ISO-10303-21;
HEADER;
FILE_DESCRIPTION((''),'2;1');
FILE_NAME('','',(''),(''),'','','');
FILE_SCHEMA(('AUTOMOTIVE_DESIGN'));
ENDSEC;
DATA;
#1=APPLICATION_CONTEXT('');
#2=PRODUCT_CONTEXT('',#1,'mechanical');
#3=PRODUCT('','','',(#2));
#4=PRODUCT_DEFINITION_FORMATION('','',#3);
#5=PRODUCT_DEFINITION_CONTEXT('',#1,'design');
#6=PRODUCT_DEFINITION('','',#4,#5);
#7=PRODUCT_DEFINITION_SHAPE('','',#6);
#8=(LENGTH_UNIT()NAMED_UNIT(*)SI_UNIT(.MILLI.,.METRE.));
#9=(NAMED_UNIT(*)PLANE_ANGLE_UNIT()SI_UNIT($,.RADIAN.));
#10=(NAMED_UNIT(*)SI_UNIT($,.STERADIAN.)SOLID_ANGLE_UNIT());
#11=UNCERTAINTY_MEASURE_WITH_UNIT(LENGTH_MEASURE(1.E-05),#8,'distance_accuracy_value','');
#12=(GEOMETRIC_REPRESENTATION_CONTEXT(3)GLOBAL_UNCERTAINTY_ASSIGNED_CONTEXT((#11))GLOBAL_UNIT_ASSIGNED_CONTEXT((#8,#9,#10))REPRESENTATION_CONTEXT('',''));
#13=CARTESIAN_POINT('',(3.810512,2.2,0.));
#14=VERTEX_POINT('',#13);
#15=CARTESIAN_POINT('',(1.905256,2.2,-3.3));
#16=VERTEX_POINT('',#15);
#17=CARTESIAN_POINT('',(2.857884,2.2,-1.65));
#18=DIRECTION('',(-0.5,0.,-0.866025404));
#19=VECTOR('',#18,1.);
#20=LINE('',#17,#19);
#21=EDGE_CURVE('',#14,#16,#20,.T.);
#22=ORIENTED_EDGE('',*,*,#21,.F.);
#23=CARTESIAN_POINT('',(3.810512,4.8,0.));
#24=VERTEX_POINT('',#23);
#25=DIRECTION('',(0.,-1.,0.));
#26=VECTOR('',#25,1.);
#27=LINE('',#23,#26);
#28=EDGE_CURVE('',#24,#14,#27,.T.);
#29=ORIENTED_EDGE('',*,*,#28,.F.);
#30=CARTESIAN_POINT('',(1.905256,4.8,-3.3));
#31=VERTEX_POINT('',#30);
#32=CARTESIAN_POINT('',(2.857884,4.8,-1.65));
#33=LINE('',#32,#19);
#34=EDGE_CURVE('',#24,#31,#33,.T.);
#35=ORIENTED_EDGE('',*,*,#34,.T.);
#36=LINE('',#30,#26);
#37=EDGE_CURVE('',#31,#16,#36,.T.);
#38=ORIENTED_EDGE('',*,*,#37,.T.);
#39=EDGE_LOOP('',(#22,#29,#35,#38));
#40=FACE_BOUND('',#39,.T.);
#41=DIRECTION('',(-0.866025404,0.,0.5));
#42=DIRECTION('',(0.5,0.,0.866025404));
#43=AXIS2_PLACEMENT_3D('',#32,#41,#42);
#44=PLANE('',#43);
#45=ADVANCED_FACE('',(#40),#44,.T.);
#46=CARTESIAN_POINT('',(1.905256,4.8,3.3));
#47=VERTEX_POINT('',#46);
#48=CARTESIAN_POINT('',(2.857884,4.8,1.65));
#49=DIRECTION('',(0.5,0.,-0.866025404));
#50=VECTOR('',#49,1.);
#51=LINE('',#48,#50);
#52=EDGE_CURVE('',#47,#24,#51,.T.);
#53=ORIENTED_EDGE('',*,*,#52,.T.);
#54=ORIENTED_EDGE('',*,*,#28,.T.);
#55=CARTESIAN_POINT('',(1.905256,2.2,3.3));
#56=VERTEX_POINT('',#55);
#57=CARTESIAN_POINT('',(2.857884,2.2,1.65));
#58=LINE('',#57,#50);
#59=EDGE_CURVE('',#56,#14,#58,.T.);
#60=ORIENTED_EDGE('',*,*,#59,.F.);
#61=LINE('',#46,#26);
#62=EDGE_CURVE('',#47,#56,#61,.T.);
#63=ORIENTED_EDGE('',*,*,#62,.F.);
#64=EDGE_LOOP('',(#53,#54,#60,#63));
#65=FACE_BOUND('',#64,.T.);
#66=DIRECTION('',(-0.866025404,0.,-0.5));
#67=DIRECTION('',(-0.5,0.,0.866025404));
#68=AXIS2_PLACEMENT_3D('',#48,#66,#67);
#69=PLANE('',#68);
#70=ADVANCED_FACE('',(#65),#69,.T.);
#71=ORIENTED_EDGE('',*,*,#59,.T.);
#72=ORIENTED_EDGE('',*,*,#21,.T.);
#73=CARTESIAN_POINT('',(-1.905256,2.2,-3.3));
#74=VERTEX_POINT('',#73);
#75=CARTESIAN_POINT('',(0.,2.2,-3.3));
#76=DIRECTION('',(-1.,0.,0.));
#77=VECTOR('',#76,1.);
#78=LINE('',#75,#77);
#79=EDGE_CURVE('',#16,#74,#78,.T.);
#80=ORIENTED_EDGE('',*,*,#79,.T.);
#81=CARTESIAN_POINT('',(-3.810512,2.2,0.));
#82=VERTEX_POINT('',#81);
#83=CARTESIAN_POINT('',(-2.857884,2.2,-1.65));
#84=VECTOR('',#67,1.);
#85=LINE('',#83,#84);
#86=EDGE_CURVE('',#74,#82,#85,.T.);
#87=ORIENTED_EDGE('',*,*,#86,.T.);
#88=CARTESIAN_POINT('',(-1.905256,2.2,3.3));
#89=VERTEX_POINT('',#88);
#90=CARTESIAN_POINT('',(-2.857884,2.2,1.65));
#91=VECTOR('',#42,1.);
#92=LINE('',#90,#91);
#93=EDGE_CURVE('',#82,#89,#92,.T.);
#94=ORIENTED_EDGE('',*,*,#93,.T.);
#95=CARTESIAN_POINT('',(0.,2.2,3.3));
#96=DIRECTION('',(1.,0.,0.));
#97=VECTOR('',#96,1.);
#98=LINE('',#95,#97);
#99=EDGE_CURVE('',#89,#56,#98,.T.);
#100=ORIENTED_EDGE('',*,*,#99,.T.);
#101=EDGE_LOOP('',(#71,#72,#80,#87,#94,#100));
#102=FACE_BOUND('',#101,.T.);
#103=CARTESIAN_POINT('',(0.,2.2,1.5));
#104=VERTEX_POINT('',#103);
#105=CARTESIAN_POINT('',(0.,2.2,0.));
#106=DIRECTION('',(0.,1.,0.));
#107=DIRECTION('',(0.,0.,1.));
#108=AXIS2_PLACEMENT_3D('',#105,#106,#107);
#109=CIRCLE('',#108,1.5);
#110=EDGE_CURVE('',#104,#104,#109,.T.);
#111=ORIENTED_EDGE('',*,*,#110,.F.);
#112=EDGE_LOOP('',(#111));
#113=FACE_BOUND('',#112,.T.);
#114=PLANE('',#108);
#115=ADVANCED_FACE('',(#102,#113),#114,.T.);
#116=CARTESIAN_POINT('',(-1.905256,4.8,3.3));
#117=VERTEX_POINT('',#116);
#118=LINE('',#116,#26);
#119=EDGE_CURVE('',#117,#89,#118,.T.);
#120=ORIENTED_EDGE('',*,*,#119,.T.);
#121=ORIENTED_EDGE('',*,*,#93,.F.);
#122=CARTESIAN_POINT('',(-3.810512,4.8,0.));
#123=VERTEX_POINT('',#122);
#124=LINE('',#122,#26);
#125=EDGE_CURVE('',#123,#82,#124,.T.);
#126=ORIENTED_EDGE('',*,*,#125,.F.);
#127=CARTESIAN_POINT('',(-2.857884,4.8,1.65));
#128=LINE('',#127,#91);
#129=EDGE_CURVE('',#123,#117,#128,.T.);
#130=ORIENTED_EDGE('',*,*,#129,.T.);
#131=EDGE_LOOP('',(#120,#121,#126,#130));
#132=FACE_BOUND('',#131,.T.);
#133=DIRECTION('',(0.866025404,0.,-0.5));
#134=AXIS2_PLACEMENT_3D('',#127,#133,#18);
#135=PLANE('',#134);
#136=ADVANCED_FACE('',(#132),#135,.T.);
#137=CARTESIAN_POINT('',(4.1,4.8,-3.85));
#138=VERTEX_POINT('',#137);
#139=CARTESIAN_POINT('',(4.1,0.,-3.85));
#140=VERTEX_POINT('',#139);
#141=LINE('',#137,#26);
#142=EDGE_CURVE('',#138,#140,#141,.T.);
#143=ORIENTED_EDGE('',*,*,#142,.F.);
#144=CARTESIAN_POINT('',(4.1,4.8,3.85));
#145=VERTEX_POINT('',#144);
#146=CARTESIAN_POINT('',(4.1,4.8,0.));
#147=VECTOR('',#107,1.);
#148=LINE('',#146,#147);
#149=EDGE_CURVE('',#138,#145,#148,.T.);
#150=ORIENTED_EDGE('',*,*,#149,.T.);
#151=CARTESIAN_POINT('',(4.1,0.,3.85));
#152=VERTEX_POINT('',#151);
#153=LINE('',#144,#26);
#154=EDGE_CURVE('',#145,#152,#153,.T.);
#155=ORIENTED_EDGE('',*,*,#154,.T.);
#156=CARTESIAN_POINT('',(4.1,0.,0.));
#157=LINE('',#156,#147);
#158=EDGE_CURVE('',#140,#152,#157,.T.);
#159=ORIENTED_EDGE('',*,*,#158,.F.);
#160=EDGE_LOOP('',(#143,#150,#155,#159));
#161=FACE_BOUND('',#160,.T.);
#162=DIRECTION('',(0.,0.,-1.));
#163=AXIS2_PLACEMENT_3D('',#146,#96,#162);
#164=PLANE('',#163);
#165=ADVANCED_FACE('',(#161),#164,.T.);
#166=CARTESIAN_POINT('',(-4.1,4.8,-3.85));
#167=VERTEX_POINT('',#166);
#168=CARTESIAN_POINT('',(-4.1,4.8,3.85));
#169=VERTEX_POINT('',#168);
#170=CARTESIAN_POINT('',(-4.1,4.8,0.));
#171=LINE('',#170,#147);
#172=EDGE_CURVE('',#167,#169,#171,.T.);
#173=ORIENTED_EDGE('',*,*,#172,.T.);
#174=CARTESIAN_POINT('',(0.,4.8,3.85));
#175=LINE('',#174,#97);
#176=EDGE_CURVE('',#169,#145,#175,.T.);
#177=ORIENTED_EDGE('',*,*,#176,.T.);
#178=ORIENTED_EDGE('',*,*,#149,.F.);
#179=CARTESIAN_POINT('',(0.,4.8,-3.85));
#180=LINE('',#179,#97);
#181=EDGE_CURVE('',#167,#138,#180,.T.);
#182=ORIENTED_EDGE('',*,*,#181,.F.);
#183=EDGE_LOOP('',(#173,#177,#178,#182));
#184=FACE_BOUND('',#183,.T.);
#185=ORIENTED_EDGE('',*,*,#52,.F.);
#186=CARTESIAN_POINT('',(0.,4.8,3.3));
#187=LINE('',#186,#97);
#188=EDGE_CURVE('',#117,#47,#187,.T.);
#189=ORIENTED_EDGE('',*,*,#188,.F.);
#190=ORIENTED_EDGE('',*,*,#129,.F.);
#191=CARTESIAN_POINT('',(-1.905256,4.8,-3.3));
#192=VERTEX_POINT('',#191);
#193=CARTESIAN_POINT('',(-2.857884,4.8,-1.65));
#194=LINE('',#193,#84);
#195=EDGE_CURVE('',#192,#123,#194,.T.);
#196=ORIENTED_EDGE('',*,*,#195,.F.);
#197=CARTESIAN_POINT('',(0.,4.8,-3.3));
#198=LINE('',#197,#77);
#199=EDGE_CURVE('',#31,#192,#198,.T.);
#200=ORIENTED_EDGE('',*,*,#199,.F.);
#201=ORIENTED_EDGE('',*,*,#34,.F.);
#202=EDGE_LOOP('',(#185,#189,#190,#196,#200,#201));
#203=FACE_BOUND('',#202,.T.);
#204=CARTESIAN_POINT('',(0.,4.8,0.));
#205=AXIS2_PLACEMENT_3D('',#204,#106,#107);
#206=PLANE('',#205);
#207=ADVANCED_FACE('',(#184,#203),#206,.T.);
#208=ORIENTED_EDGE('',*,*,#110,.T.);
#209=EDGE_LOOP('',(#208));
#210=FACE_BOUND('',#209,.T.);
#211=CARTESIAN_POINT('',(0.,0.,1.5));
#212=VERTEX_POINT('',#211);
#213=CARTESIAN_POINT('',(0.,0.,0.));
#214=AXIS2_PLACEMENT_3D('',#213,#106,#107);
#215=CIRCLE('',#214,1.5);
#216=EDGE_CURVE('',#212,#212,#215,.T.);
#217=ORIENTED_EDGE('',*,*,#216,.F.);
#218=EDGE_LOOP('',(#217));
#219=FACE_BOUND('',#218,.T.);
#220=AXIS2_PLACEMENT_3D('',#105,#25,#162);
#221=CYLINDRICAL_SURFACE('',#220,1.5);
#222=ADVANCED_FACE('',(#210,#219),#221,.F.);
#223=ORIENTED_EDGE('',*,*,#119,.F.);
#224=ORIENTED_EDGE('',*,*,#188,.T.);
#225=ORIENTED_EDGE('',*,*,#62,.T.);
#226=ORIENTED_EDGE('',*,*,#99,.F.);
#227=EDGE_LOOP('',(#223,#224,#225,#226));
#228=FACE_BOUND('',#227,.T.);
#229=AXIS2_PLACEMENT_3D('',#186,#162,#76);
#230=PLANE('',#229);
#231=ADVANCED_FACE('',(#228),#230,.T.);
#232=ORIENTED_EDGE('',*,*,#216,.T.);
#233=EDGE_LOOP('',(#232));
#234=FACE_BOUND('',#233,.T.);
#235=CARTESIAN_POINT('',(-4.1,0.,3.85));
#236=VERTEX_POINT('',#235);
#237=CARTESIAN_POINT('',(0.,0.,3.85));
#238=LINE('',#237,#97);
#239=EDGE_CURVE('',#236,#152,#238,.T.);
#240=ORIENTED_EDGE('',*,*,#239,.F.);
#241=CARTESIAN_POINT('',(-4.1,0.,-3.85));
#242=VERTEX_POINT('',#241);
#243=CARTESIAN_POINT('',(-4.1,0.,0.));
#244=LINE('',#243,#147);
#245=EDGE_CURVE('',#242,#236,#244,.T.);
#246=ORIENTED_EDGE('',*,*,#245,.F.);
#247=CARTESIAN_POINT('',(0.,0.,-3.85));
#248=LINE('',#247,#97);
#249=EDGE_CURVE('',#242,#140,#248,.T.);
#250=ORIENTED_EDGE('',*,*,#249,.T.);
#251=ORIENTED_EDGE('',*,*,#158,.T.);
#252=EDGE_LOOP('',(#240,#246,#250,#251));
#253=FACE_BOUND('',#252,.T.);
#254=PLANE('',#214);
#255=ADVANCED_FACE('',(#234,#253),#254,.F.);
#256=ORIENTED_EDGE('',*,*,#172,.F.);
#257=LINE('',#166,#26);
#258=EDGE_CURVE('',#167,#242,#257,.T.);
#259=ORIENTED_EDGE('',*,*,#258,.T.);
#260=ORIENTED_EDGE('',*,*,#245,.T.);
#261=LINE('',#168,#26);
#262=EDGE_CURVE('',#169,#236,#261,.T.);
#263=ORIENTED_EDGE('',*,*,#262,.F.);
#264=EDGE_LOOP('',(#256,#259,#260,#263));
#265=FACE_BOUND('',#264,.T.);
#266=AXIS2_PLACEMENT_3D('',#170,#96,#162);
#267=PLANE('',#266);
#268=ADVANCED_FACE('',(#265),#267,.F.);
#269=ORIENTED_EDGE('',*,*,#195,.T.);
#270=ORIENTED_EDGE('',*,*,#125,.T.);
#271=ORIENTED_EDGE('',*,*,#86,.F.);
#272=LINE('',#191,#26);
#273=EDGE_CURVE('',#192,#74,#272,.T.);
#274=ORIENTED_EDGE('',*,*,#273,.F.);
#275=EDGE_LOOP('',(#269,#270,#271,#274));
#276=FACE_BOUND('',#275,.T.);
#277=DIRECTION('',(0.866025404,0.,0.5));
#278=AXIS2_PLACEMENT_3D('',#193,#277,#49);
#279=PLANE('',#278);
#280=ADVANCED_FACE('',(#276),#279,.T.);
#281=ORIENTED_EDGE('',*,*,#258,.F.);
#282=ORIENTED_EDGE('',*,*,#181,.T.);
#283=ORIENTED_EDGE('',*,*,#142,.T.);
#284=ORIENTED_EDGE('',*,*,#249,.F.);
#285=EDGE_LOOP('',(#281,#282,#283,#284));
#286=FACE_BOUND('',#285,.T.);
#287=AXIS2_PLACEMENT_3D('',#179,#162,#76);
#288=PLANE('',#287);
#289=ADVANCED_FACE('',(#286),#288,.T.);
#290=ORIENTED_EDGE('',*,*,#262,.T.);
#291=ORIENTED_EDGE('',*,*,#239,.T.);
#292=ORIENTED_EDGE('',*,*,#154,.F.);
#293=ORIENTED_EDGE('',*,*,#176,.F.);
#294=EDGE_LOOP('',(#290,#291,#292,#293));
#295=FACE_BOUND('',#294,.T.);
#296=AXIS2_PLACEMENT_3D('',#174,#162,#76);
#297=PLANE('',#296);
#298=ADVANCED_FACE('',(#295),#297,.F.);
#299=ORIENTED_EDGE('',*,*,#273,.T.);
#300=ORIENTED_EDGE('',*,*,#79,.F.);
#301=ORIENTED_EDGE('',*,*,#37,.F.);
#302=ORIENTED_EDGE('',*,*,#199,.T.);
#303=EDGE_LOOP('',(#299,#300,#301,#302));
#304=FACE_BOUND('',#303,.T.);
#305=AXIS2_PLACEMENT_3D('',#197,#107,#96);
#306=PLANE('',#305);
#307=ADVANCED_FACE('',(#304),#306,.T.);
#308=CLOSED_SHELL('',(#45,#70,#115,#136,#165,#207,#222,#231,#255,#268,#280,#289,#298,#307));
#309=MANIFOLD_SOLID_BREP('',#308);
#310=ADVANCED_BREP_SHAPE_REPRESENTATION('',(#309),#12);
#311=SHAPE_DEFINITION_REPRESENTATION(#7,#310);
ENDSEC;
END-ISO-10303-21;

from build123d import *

# Parameters (mm, degrees)
ESQUISSE1_W        = 8.2
ESQUISSE1_H        = 7.7
BOSS_EXTRU_1_DEPTH = 4.8
ESQUISSE1_3_R      = 1.5
BOSS_EXTRU_2_DEPTH = 2.2


with BuildPart() as part:
    # Esquisse1 → Boss.-Extru.1 (new body)
    with BuildSketch(Plane(origin=(0, 0, 0), x_dir=(1, 0, 0), z_dir=(0, 1, 0))):
        Rectangle(ESQUISSE1_W, ESQUISSE1_H)
        Polygon((1.905255888, 3.3), (3.810511777, 0), (1.905255888, -3.3), (-1.905255888, -3.3), (-3.810511777, 0), (-1.905255888, 3.3), align=None, mode=Mode.SUBTRACT)
    extrude(amount=BOSS_EXTRU_1_DEPTH)

    # Esquisse1<3> → Boss.-Extru.2 (add)
    with BuildSketch(Plane(origin=(0, 0, 0), x_dir=(1, 0, 0), z_dir=(0, 1, 0))):
        Polygon((1.905255888, -3.3), (3.810511777, 0), (1.905255888, 3.3), (-1.905255888, 3.3), (-3.810511777, 0), (-1.905255888, -3.3), align=None)
        Circle(ESQUISSE1_3_R, mode=Mode.SUBTRACT)
    extrude(amount=BOSS_EXTRU_2_DEPTH)


solid = part.part
